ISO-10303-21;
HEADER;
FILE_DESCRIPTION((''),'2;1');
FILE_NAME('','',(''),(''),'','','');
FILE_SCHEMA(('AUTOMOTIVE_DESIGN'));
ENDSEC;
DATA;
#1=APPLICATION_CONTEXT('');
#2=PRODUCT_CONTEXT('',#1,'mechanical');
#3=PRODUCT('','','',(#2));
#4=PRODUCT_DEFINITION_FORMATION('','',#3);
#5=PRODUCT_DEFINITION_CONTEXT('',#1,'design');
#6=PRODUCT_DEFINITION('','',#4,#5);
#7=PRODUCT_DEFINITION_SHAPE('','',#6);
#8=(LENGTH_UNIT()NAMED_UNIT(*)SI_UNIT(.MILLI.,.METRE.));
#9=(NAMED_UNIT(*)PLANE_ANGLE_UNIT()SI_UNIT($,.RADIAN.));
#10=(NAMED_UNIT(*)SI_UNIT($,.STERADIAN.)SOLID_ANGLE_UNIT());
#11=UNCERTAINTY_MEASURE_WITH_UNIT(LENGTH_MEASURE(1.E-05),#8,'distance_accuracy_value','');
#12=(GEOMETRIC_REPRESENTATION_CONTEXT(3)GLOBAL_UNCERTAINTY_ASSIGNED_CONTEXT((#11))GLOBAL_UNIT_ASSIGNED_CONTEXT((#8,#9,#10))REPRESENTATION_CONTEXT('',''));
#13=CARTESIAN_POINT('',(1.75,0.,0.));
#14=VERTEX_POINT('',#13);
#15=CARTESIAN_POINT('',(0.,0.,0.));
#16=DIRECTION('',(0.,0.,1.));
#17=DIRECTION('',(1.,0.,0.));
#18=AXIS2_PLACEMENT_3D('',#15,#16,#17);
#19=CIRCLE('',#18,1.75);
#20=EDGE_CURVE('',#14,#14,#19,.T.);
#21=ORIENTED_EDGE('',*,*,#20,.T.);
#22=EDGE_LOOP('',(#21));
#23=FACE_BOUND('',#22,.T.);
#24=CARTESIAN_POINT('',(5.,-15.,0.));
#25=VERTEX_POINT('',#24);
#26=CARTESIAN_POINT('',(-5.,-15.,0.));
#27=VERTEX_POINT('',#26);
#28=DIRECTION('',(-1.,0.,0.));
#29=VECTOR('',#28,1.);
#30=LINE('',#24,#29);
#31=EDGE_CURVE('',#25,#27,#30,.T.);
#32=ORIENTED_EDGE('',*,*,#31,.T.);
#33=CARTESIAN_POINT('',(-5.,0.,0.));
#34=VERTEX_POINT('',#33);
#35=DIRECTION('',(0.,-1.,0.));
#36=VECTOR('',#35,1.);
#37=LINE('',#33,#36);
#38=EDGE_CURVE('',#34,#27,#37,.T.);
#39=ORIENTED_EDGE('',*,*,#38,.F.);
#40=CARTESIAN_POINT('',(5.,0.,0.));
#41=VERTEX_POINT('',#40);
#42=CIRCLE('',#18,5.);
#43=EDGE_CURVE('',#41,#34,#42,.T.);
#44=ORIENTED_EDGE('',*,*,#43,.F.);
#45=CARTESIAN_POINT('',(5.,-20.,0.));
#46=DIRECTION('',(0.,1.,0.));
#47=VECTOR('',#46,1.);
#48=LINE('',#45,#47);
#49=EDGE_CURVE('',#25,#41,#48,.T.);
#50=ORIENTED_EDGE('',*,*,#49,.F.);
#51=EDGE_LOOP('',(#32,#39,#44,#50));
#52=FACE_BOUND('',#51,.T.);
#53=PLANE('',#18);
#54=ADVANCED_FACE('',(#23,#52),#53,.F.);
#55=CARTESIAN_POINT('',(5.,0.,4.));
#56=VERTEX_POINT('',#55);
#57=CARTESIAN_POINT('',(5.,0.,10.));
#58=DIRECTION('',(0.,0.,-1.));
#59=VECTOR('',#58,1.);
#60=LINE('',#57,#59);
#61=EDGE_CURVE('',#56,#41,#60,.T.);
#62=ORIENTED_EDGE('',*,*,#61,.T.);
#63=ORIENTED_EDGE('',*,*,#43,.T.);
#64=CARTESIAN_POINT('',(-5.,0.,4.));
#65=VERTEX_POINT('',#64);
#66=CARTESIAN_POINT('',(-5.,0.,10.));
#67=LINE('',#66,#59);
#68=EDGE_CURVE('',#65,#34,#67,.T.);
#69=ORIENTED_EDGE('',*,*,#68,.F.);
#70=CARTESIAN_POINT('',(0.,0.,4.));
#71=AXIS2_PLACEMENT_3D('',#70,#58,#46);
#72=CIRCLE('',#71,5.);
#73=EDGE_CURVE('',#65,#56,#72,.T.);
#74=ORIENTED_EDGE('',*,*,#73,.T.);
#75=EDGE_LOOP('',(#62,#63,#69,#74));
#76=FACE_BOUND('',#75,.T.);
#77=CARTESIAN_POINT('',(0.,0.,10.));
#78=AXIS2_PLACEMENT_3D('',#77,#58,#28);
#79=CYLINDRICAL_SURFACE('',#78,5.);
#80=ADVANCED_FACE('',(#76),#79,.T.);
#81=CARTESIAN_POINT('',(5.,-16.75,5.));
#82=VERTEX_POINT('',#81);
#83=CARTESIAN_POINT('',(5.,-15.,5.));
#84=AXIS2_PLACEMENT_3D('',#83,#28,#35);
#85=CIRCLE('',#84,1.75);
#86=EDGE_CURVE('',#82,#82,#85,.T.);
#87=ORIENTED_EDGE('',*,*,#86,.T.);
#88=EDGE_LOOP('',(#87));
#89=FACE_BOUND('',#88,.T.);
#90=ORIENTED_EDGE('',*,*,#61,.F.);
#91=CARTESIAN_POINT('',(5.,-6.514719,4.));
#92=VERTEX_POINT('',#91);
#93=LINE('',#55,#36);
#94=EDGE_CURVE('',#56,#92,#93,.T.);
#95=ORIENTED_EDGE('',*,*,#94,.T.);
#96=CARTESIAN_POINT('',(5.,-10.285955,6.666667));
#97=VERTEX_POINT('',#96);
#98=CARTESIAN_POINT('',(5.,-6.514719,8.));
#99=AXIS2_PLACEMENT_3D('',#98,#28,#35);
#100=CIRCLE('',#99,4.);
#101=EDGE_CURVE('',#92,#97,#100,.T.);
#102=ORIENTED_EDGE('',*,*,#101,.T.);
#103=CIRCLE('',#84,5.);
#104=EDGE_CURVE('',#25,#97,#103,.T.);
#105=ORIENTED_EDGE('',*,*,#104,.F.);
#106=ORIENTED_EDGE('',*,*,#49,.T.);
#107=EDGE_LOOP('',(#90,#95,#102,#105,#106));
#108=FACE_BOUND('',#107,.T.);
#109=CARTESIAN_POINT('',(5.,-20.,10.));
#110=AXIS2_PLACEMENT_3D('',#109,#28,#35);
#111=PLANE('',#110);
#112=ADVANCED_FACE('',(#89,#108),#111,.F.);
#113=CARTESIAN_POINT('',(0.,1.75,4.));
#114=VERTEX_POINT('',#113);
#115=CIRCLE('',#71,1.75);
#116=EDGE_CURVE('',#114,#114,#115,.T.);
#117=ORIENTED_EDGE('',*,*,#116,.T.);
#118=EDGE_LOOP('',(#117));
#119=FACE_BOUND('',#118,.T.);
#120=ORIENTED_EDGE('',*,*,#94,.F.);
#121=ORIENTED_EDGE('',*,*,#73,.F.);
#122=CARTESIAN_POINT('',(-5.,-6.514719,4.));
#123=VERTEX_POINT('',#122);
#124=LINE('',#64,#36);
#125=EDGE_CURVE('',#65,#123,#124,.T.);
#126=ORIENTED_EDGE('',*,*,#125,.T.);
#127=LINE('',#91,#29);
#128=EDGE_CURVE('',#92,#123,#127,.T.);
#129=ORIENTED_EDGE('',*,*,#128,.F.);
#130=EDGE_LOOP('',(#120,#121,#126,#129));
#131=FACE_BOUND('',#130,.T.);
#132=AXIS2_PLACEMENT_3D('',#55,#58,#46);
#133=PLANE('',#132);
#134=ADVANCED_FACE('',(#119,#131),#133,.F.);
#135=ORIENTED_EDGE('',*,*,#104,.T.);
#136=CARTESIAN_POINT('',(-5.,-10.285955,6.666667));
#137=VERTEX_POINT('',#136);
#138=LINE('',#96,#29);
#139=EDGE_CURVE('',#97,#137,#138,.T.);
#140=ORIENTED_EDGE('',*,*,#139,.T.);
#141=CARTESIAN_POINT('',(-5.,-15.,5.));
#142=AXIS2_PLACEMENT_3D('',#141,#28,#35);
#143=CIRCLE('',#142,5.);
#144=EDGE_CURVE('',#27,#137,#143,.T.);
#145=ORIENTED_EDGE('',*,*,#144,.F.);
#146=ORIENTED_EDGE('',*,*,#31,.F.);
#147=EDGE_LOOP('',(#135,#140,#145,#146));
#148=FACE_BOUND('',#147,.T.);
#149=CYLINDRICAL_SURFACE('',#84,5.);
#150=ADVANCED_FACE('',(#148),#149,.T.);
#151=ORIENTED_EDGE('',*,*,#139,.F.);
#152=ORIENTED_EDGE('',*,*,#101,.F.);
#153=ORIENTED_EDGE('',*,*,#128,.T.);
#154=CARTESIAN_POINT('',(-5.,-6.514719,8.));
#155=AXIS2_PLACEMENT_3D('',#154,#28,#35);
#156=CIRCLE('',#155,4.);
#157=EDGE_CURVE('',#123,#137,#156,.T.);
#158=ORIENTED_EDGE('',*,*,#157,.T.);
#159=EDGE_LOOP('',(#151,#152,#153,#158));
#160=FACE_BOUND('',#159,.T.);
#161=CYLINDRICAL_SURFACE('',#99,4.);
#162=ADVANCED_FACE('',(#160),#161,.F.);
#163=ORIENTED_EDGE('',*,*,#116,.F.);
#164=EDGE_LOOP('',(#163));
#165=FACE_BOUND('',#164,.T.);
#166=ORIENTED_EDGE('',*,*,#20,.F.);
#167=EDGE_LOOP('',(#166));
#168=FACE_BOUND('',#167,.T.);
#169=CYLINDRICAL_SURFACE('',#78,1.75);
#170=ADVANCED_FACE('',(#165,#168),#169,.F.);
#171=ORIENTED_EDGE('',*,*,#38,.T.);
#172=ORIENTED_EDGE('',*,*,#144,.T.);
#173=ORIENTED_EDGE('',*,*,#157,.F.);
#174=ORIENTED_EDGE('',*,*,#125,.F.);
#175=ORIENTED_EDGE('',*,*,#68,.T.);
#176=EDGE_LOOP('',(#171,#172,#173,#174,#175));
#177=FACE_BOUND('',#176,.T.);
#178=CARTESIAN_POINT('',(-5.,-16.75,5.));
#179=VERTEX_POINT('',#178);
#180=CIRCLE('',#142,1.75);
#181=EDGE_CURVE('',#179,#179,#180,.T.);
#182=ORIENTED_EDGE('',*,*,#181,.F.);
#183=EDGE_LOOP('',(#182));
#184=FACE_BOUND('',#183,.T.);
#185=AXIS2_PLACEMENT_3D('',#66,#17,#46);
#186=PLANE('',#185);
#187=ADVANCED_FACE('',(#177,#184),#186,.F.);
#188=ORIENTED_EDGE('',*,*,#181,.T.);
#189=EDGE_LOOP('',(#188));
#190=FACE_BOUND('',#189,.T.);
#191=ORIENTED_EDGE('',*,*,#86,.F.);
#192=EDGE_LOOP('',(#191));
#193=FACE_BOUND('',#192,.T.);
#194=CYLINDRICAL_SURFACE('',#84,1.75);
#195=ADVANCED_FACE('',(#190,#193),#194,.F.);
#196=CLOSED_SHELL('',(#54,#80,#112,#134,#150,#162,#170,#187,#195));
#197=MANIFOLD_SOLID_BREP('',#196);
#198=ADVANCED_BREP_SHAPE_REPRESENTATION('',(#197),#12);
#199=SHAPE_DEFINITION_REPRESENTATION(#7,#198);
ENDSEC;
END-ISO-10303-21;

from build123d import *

# Parameters (mm, degrees)
ESBO_O1_R                = 1.75
RESSALTO_EXTRUS_O1_DEPTH = 10
ESBO_O2_W                = 6
ESBO_O2_H                = 5
ESBO_O2_R                = 1.75
CORTE_EXTRUS_O1_DEPTH    = 10


with BuildPart() as part:
    # Esboço1 → Ressalto-extrusão1 (new body)
    with BuildSketch(Plane.XY):
        with BuildLine():
            Line((-5, 0), (-5, -20))
            Line((-5, -20), (5, -20))
            Line((5, -20), (5, 0))
            ThreePointArc((5, 0), (0, 5), (-5, 0))
        make_face()
        Circle(ESBO_O1_R, mode=Mode.SUBTRACT)
    extrude(amount=RESSALTO_EXTRUS_O1_DEPTH)

    # Esboço2 → Corte-extrusão1 (cut)
    with BuildSketch(Plane.ZY.offset(5)):
        with BuildLine():
            Line((10, 0), (4, 0))
            Line((4, 0), (4, -6.514718626))
            ThreePointArc((4, -6.514718626), (4.734013676, -8.824119703), (6.666666667, -10.285954792))
            ThreePointArc((6.666666667, -10.285954792), (9.082482905, -12.113248654), (10, -15))
            Line((10, -15), (10, 0))
        make_face()
        with Locations((7, 2.5)):
            Rectangle(ESBO_O2_W, ESBO_O2_H)
        with BuildLine():
            Line((10, -20), (10, -15))
            ThreePointArc((10, -15), (8.535533906, -18.535533906), (5, -20))
            Line((5, -20), (10, -20))
        make_face()
        with BuildLine():
            ThreePointArc((5, -20), (1.464466094, -18.535533906), (0, -15))
            Line((0, -15), (0, -20))
            Line((0, -20), (5, -20))
        make_face()
        with Locations((5, -15)):
            Circle(ESBO_O2_R)
    extrude(amount=-CORTE_EXTRUS_O1_DEPTH, mode=Mode.SUBTRACT)


solid = part.part
